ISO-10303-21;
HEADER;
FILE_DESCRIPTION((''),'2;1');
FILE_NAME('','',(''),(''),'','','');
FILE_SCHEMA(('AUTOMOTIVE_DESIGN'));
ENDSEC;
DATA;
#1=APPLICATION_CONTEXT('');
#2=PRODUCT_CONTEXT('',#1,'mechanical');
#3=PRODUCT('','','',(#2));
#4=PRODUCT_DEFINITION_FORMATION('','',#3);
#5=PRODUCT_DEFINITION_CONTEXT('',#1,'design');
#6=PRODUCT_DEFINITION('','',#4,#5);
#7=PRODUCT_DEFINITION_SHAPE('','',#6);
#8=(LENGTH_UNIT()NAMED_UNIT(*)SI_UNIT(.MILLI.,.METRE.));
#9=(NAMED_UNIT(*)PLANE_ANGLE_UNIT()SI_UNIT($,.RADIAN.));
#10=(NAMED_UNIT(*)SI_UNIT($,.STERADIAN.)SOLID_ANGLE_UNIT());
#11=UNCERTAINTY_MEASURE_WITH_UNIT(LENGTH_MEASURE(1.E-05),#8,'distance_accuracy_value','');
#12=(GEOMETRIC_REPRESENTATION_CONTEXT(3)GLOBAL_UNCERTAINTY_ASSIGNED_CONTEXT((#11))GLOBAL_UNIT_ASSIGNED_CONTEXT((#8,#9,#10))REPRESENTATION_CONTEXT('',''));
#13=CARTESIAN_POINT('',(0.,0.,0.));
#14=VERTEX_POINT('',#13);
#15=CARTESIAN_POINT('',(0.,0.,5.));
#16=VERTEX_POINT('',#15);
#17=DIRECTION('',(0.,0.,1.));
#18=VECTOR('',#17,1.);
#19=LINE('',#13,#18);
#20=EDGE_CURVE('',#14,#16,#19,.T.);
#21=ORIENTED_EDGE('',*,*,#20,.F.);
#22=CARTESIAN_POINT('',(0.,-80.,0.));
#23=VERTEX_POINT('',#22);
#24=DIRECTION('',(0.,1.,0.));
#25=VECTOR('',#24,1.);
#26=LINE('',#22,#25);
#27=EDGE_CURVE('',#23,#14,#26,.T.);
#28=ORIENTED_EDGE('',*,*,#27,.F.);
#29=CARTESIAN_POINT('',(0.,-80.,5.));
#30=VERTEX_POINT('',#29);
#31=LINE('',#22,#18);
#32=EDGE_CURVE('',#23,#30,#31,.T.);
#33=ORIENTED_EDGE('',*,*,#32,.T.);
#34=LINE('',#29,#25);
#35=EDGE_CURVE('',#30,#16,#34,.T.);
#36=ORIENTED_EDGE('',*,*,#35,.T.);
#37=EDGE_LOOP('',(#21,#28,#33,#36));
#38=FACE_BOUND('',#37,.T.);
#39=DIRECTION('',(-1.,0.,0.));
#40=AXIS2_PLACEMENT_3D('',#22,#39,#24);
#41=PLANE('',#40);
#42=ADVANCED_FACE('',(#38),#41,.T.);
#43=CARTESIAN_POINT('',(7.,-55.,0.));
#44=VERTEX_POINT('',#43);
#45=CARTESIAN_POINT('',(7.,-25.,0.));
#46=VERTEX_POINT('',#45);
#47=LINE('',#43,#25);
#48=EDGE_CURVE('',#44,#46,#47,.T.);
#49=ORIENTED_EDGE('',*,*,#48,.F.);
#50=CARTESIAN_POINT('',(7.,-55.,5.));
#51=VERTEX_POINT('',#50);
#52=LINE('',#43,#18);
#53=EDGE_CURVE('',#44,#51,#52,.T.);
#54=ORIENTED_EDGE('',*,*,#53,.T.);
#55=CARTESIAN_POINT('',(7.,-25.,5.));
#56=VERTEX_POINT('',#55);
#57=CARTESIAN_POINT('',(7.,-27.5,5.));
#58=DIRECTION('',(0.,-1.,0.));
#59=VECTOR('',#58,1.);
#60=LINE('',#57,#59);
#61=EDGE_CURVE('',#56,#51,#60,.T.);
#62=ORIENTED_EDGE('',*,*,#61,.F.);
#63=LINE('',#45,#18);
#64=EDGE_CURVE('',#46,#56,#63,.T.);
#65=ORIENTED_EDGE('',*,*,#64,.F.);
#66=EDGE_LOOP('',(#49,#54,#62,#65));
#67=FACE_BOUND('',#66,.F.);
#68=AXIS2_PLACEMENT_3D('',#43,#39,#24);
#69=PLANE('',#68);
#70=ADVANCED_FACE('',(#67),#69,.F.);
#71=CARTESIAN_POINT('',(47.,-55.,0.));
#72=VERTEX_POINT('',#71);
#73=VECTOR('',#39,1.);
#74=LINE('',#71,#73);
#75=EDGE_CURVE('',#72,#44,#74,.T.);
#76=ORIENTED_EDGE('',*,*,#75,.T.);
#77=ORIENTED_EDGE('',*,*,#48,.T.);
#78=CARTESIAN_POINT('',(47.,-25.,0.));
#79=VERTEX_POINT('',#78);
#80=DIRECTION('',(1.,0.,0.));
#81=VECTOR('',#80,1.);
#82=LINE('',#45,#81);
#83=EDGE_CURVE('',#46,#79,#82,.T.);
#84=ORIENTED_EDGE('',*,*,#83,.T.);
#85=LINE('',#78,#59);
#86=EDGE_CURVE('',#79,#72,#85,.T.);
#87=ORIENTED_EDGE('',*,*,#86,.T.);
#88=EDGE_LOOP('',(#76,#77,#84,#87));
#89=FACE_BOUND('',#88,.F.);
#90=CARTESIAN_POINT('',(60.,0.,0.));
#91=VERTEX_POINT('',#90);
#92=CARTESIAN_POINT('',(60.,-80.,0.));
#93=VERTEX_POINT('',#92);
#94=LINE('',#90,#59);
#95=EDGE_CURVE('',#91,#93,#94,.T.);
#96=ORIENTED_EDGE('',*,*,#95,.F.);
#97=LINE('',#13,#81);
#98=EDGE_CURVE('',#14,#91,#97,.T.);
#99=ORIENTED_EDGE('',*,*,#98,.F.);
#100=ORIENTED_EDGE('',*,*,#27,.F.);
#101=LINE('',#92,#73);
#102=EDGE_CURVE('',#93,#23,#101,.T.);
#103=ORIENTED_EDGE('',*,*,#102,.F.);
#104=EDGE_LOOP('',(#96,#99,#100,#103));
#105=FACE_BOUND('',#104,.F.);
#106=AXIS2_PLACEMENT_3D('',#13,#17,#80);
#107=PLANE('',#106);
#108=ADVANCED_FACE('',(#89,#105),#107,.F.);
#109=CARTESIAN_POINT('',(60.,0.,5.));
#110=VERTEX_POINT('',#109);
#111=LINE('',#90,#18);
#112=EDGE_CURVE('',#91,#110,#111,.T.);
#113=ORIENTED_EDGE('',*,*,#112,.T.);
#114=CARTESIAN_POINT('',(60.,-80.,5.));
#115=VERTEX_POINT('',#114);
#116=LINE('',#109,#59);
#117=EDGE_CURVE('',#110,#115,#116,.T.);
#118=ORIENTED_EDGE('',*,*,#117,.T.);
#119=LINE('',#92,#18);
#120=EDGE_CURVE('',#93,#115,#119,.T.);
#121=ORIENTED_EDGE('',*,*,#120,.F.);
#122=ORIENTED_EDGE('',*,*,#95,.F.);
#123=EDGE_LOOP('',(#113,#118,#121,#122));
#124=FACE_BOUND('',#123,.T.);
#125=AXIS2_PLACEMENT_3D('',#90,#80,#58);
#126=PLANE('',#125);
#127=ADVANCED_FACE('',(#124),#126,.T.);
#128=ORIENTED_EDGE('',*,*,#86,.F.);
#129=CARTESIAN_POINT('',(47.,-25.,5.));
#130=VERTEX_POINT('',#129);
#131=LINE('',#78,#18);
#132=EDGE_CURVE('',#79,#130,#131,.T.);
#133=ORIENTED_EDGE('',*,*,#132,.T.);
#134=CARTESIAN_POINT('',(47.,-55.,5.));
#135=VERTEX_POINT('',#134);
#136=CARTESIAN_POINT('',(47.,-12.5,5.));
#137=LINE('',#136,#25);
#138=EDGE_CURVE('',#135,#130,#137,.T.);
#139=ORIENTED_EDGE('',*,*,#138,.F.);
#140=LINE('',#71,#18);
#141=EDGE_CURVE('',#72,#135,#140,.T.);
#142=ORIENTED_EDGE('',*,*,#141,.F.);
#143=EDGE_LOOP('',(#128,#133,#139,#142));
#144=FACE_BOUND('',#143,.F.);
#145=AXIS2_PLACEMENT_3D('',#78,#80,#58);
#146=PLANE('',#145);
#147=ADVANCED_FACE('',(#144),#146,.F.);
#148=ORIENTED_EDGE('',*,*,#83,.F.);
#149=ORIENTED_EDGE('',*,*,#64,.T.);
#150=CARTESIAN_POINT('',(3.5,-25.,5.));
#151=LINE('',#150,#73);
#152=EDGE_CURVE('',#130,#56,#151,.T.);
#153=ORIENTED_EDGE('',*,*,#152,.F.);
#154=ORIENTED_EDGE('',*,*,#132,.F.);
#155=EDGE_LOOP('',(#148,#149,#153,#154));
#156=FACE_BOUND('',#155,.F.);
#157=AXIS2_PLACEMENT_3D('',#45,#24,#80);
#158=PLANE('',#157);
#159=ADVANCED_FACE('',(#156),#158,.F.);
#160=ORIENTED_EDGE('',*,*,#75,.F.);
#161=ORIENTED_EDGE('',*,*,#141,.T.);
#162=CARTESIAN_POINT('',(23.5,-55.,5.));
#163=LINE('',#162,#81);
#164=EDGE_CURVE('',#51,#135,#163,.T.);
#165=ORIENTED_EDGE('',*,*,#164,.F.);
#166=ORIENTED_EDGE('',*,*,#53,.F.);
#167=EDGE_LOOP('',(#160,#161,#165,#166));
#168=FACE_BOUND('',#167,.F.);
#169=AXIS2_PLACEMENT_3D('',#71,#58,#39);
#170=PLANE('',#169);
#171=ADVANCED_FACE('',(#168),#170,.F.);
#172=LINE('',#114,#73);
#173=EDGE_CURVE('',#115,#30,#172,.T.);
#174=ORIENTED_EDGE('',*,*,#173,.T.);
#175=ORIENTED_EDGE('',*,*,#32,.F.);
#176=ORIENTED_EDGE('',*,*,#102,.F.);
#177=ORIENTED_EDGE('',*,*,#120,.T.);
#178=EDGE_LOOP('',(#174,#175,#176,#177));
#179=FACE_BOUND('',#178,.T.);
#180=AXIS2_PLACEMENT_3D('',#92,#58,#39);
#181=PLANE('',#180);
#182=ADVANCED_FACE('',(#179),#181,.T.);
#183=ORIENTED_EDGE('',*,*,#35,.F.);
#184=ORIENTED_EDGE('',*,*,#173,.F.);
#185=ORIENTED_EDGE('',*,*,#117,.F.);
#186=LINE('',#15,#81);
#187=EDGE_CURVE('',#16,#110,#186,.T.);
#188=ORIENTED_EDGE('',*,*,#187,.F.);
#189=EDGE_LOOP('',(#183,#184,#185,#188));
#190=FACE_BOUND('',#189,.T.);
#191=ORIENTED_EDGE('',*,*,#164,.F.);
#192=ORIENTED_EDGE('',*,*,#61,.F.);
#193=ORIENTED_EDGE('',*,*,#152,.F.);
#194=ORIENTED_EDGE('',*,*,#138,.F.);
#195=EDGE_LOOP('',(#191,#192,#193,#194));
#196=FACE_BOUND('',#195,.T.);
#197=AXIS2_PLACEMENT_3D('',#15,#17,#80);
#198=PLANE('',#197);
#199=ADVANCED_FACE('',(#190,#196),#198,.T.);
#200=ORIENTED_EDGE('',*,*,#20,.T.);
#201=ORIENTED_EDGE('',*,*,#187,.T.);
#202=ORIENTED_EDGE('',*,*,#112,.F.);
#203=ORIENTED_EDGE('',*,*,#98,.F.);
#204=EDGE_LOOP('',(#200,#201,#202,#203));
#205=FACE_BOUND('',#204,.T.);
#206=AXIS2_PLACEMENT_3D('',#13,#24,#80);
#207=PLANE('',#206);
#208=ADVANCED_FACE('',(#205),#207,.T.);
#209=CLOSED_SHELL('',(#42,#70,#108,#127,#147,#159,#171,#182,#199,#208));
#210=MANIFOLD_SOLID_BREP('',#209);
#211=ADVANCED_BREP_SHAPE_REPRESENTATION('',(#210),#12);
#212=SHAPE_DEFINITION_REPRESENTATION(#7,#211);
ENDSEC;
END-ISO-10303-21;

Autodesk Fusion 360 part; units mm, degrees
sketch "Sketch1" plane through (0, 0, 0) normal (0, 0, 1) x (1, 0, 0)
  line L0 (0, 0) -> (60, 0)
  line L1 (60, 0) -> (60, -80)
  line L2 (60, -80) -> (0, -80)
  line L3 (0, -80) -> (0, 0)
  line L4 (7, -25) -> (47, -25)
  line L5 (47, -25) -> (47, -55)
  line L6 (47, -55) -> (7, -55)
  line L7 (7, -55) -> (7, -25)
  dimension "d7" = 60
  dimension "d8" = 80
  dimension "d15" = 40
  dimension "d16" = 30
  dimension "d17" = 7
  dimension "d18" = 25
extrude "Extrude1" add sketch "Sketch1" along normal blind 5 contours L0 L1 L2 L3 | L4 L5 L6 L7
extrude "Extrude2" cut sketch "Sketch1" along normal blind 100 contours L4 L5 L6 L7
equation "perfboard_length = 60 mm"
equation "perfboard_width = 40 mm"
equation "width = perfboard_length + 2 * screw_radius * 2"
equation "length = perfboard_width + 2 * screw_radius * 2"
equation "height = 5 mm"
equation "d7 = length"
equation "d8 = width"
equation "d9 = height"
equation "middle_gap_width = 30 mm"
equation "middle_gap_length = length - 2 * screw_radius * 2"
equation "middle_gap_small_distance = 7 mm"
equation "middle_gap_big_distance = ( width - middle_gap_width ) / 2"
equation "d15 = middle_gap_length"
equation "d16 = middle_gap_width"
equation "d17 = middle_gap_small_distance"
equation "d18 = middle_gap_big_distance"
equation "extra = 100 mm"
equation "d20 = extra"
equation "screw_radius = 5 mm"
